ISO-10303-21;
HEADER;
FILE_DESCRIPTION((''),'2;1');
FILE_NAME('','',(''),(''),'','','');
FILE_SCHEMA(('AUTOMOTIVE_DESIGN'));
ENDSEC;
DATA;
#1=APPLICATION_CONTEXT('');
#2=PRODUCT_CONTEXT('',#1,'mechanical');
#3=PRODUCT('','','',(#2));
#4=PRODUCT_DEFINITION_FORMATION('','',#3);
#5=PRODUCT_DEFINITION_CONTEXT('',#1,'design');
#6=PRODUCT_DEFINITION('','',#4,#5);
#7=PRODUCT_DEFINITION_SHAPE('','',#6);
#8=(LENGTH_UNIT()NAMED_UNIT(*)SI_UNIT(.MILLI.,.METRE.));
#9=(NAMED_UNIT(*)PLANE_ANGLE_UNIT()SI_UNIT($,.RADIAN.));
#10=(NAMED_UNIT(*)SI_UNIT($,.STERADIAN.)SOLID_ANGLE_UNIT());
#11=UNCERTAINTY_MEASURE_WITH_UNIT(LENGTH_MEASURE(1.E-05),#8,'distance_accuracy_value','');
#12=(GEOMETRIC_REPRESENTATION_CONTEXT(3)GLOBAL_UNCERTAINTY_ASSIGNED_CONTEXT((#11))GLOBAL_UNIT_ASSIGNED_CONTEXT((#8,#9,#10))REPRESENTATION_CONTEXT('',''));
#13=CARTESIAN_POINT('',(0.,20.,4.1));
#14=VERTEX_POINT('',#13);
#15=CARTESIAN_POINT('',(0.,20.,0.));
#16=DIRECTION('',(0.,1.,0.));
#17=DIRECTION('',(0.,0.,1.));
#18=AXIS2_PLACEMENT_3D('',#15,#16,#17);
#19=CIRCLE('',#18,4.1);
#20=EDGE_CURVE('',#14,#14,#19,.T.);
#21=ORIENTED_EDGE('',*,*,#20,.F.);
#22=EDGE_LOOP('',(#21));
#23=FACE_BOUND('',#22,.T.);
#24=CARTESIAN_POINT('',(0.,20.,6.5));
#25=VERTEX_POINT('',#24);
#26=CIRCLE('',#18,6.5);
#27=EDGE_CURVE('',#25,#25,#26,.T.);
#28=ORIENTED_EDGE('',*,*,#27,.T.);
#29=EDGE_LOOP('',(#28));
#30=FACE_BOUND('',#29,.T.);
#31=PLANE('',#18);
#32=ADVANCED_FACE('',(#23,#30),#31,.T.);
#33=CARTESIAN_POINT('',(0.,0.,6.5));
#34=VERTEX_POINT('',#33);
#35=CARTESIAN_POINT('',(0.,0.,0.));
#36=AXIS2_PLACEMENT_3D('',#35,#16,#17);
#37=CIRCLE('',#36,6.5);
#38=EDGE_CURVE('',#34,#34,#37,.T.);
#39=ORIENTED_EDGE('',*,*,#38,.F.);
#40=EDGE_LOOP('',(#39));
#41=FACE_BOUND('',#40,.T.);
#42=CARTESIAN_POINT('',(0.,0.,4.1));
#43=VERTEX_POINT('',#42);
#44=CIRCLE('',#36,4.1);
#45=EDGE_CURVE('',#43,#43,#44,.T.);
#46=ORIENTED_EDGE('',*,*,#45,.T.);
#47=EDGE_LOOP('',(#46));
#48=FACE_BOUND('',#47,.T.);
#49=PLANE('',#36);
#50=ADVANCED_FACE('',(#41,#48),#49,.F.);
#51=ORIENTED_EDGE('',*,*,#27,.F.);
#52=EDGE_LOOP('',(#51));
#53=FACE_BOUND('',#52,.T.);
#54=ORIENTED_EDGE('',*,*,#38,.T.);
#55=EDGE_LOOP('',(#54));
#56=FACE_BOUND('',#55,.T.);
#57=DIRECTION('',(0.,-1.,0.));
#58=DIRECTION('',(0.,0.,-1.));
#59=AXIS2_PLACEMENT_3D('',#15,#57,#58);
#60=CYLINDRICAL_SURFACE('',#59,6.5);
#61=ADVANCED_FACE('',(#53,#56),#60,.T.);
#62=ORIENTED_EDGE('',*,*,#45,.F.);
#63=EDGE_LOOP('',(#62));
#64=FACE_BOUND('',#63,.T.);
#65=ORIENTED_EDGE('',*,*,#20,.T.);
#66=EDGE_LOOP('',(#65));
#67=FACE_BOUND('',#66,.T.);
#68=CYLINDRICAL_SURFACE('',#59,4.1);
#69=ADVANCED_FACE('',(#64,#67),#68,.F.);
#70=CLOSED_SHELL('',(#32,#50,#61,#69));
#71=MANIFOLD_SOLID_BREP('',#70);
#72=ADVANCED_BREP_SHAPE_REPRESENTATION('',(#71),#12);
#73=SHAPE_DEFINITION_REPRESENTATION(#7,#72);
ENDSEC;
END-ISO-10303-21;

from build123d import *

# Parameters (mm, degrees)
SKETCH1_R           = 6.5
SKETCH1_R_2         = 4.1
BOSS_EXTRUDE1_DEPTH = 20


with BuildPart() as part:
    # Sketch1 → Boss-Extrude1 (new body)
    with BuildSketch(Plane(origin=(0, 0, 0), x_dir=(1, 0, 0), z_dir=(0, 1, 0))):
        with Locations(Location((0, 0, 0), (0, 0, 270))):
            Circle(SKETCH1_R)
        with Locations(Location((0, 0, 0), (0, 0, 270))):
            Circle(SKETCH1_R_2, mode=Mode.SUBTRACT)
    extrude(amount=BOSS_EXTRUDE1_DEPTH)


solid = part.part
